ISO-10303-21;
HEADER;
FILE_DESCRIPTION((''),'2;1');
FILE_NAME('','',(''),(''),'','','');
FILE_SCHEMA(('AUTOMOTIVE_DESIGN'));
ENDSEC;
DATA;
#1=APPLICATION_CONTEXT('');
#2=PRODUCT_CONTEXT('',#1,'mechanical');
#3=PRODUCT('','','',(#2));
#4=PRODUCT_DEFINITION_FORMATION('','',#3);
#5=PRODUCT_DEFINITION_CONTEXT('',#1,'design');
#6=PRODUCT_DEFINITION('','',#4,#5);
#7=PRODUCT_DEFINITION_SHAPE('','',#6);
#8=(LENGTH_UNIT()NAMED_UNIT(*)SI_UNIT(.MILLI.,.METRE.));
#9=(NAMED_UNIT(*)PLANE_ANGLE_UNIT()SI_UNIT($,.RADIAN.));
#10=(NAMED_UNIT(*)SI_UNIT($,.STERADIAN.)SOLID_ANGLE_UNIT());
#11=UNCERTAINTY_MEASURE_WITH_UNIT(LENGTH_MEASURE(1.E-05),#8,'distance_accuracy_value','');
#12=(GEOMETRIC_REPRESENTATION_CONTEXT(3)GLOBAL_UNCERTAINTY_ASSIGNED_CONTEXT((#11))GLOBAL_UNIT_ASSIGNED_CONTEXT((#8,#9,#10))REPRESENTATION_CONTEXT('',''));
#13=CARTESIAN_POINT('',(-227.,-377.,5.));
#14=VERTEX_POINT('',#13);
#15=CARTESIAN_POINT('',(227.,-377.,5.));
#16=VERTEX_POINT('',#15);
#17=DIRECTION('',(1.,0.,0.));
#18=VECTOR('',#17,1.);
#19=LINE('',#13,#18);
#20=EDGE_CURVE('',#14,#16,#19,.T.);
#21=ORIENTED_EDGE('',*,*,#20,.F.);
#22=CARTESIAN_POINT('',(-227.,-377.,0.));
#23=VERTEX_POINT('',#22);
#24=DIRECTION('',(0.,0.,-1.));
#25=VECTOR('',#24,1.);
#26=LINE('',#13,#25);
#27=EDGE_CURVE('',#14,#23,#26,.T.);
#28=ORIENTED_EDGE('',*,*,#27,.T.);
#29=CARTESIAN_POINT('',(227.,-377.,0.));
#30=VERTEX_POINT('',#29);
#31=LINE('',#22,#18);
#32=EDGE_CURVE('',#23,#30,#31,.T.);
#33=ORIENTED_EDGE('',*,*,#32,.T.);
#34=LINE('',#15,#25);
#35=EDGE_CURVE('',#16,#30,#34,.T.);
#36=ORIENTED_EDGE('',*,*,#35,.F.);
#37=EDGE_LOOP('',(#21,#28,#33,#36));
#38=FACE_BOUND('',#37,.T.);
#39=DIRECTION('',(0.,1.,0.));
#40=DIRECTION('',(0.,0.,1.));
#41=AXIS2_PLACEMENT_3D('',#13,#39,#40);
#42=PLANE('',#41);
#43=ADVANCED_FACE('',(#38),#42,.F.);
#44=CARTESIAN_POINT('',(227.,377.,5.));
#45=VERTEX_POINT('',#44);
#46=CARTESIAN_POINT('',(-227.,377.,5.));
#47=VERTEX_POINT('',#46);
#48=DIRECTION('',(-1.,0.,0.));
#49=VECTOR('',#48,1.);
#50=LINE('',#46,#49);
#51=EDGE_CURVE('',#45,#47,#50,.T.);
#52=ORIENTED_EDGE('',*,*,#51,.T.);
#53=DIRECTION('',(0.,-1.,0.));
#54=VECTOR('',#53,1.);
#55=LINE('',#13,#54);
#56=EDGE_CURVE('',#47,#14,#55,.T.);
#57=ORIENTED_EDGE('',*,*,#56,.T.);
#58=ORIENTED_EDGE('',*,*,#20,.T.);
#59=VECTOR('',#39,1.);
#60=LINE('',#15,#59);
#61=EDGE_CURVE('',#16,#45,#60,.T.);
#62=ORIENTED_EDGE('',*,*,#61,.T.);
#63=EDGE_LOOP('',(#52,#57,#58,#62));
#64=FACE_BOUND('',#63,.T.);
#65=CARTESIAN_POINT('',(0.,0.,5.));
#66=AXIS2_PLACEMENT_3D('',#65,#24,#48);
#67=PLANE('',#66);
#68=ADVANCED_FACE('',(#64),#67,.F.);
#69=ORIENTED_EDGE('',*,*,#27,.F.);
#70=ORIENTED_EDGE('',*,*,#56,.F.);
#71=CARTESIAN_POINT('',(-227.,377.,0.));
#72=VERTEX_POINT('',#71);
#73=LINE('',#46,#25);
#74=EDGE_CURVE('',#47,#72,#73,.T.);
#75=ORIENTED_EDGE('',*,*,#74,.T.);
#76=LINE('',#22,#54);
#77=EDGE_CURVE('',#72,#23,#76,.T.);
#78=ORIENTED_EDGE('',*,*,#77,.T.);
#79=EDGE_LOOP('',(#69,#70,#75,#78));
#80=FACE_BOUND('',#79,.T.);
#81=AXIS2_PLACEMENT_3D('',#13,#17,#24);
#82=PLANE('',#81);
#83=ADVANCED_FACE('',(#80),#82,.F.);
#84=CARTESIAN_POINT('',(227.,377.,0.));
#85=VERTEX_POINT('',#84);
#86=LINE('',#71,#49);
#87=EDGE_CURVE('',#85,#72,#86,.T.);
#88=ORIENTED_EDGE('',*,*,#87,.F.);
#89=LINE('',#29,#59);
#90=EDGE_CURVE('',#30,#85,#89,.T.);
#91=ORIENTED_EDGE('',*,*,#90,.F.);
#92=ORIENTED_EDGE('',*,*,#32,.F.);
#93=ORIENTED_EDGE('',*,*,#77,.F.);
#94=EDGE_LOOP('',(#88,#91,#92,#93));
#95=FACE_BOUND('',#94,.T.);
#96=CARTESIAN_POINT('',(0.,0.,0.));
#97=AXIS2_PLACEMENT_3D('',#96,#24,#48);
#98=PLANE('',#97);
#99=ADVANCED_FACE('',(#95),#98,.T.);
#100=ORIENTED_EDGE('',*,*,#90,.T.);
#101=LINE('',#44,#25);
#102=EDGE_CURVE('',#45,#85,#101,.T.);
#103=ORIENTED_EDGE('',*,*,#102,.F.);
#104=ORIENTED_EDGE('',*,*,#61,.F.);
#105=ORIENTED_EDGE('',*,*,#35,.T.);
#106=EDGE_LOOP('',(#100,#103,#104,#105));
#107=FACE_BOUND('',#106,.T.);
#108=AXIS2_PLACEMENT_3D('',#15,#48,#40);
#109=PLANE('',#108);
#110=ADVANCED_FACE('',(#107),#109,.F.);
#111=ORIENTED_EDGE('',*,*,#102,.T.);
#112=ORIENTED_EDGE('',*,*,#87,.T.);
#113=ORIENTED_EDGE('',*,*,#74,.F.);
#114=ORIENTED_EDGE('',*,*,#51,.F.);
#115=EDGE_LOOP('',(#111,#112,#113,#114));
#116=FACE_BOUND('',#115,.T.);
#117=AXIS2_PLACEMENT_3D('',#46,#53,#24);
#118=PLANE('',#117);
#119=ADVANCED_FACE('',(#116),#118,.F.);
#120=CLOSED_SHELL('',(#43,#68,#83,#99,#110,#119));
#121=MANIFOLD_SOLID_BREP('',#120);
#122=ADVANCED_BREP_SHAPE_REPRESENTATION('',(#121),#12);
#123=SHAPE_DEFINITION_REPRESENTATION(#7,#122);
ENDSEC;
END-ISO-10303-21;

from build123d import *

# Parameters (mm, degrees)
SKETCH_1_W      = 454
SKETCH_1_H      = 754
EXTRUDE_1_DEPTH = 5


with BuildPart() as part:
    # 草图1 → 凸台-拉伸1 (new body)
    with BuildSketch(Plane.XY):
        Rectangle(SKETCH_1_W, SKETCH_1_H)
    extrude(amount=EXTRUDE_1_DEPTH)


solid = part.part
